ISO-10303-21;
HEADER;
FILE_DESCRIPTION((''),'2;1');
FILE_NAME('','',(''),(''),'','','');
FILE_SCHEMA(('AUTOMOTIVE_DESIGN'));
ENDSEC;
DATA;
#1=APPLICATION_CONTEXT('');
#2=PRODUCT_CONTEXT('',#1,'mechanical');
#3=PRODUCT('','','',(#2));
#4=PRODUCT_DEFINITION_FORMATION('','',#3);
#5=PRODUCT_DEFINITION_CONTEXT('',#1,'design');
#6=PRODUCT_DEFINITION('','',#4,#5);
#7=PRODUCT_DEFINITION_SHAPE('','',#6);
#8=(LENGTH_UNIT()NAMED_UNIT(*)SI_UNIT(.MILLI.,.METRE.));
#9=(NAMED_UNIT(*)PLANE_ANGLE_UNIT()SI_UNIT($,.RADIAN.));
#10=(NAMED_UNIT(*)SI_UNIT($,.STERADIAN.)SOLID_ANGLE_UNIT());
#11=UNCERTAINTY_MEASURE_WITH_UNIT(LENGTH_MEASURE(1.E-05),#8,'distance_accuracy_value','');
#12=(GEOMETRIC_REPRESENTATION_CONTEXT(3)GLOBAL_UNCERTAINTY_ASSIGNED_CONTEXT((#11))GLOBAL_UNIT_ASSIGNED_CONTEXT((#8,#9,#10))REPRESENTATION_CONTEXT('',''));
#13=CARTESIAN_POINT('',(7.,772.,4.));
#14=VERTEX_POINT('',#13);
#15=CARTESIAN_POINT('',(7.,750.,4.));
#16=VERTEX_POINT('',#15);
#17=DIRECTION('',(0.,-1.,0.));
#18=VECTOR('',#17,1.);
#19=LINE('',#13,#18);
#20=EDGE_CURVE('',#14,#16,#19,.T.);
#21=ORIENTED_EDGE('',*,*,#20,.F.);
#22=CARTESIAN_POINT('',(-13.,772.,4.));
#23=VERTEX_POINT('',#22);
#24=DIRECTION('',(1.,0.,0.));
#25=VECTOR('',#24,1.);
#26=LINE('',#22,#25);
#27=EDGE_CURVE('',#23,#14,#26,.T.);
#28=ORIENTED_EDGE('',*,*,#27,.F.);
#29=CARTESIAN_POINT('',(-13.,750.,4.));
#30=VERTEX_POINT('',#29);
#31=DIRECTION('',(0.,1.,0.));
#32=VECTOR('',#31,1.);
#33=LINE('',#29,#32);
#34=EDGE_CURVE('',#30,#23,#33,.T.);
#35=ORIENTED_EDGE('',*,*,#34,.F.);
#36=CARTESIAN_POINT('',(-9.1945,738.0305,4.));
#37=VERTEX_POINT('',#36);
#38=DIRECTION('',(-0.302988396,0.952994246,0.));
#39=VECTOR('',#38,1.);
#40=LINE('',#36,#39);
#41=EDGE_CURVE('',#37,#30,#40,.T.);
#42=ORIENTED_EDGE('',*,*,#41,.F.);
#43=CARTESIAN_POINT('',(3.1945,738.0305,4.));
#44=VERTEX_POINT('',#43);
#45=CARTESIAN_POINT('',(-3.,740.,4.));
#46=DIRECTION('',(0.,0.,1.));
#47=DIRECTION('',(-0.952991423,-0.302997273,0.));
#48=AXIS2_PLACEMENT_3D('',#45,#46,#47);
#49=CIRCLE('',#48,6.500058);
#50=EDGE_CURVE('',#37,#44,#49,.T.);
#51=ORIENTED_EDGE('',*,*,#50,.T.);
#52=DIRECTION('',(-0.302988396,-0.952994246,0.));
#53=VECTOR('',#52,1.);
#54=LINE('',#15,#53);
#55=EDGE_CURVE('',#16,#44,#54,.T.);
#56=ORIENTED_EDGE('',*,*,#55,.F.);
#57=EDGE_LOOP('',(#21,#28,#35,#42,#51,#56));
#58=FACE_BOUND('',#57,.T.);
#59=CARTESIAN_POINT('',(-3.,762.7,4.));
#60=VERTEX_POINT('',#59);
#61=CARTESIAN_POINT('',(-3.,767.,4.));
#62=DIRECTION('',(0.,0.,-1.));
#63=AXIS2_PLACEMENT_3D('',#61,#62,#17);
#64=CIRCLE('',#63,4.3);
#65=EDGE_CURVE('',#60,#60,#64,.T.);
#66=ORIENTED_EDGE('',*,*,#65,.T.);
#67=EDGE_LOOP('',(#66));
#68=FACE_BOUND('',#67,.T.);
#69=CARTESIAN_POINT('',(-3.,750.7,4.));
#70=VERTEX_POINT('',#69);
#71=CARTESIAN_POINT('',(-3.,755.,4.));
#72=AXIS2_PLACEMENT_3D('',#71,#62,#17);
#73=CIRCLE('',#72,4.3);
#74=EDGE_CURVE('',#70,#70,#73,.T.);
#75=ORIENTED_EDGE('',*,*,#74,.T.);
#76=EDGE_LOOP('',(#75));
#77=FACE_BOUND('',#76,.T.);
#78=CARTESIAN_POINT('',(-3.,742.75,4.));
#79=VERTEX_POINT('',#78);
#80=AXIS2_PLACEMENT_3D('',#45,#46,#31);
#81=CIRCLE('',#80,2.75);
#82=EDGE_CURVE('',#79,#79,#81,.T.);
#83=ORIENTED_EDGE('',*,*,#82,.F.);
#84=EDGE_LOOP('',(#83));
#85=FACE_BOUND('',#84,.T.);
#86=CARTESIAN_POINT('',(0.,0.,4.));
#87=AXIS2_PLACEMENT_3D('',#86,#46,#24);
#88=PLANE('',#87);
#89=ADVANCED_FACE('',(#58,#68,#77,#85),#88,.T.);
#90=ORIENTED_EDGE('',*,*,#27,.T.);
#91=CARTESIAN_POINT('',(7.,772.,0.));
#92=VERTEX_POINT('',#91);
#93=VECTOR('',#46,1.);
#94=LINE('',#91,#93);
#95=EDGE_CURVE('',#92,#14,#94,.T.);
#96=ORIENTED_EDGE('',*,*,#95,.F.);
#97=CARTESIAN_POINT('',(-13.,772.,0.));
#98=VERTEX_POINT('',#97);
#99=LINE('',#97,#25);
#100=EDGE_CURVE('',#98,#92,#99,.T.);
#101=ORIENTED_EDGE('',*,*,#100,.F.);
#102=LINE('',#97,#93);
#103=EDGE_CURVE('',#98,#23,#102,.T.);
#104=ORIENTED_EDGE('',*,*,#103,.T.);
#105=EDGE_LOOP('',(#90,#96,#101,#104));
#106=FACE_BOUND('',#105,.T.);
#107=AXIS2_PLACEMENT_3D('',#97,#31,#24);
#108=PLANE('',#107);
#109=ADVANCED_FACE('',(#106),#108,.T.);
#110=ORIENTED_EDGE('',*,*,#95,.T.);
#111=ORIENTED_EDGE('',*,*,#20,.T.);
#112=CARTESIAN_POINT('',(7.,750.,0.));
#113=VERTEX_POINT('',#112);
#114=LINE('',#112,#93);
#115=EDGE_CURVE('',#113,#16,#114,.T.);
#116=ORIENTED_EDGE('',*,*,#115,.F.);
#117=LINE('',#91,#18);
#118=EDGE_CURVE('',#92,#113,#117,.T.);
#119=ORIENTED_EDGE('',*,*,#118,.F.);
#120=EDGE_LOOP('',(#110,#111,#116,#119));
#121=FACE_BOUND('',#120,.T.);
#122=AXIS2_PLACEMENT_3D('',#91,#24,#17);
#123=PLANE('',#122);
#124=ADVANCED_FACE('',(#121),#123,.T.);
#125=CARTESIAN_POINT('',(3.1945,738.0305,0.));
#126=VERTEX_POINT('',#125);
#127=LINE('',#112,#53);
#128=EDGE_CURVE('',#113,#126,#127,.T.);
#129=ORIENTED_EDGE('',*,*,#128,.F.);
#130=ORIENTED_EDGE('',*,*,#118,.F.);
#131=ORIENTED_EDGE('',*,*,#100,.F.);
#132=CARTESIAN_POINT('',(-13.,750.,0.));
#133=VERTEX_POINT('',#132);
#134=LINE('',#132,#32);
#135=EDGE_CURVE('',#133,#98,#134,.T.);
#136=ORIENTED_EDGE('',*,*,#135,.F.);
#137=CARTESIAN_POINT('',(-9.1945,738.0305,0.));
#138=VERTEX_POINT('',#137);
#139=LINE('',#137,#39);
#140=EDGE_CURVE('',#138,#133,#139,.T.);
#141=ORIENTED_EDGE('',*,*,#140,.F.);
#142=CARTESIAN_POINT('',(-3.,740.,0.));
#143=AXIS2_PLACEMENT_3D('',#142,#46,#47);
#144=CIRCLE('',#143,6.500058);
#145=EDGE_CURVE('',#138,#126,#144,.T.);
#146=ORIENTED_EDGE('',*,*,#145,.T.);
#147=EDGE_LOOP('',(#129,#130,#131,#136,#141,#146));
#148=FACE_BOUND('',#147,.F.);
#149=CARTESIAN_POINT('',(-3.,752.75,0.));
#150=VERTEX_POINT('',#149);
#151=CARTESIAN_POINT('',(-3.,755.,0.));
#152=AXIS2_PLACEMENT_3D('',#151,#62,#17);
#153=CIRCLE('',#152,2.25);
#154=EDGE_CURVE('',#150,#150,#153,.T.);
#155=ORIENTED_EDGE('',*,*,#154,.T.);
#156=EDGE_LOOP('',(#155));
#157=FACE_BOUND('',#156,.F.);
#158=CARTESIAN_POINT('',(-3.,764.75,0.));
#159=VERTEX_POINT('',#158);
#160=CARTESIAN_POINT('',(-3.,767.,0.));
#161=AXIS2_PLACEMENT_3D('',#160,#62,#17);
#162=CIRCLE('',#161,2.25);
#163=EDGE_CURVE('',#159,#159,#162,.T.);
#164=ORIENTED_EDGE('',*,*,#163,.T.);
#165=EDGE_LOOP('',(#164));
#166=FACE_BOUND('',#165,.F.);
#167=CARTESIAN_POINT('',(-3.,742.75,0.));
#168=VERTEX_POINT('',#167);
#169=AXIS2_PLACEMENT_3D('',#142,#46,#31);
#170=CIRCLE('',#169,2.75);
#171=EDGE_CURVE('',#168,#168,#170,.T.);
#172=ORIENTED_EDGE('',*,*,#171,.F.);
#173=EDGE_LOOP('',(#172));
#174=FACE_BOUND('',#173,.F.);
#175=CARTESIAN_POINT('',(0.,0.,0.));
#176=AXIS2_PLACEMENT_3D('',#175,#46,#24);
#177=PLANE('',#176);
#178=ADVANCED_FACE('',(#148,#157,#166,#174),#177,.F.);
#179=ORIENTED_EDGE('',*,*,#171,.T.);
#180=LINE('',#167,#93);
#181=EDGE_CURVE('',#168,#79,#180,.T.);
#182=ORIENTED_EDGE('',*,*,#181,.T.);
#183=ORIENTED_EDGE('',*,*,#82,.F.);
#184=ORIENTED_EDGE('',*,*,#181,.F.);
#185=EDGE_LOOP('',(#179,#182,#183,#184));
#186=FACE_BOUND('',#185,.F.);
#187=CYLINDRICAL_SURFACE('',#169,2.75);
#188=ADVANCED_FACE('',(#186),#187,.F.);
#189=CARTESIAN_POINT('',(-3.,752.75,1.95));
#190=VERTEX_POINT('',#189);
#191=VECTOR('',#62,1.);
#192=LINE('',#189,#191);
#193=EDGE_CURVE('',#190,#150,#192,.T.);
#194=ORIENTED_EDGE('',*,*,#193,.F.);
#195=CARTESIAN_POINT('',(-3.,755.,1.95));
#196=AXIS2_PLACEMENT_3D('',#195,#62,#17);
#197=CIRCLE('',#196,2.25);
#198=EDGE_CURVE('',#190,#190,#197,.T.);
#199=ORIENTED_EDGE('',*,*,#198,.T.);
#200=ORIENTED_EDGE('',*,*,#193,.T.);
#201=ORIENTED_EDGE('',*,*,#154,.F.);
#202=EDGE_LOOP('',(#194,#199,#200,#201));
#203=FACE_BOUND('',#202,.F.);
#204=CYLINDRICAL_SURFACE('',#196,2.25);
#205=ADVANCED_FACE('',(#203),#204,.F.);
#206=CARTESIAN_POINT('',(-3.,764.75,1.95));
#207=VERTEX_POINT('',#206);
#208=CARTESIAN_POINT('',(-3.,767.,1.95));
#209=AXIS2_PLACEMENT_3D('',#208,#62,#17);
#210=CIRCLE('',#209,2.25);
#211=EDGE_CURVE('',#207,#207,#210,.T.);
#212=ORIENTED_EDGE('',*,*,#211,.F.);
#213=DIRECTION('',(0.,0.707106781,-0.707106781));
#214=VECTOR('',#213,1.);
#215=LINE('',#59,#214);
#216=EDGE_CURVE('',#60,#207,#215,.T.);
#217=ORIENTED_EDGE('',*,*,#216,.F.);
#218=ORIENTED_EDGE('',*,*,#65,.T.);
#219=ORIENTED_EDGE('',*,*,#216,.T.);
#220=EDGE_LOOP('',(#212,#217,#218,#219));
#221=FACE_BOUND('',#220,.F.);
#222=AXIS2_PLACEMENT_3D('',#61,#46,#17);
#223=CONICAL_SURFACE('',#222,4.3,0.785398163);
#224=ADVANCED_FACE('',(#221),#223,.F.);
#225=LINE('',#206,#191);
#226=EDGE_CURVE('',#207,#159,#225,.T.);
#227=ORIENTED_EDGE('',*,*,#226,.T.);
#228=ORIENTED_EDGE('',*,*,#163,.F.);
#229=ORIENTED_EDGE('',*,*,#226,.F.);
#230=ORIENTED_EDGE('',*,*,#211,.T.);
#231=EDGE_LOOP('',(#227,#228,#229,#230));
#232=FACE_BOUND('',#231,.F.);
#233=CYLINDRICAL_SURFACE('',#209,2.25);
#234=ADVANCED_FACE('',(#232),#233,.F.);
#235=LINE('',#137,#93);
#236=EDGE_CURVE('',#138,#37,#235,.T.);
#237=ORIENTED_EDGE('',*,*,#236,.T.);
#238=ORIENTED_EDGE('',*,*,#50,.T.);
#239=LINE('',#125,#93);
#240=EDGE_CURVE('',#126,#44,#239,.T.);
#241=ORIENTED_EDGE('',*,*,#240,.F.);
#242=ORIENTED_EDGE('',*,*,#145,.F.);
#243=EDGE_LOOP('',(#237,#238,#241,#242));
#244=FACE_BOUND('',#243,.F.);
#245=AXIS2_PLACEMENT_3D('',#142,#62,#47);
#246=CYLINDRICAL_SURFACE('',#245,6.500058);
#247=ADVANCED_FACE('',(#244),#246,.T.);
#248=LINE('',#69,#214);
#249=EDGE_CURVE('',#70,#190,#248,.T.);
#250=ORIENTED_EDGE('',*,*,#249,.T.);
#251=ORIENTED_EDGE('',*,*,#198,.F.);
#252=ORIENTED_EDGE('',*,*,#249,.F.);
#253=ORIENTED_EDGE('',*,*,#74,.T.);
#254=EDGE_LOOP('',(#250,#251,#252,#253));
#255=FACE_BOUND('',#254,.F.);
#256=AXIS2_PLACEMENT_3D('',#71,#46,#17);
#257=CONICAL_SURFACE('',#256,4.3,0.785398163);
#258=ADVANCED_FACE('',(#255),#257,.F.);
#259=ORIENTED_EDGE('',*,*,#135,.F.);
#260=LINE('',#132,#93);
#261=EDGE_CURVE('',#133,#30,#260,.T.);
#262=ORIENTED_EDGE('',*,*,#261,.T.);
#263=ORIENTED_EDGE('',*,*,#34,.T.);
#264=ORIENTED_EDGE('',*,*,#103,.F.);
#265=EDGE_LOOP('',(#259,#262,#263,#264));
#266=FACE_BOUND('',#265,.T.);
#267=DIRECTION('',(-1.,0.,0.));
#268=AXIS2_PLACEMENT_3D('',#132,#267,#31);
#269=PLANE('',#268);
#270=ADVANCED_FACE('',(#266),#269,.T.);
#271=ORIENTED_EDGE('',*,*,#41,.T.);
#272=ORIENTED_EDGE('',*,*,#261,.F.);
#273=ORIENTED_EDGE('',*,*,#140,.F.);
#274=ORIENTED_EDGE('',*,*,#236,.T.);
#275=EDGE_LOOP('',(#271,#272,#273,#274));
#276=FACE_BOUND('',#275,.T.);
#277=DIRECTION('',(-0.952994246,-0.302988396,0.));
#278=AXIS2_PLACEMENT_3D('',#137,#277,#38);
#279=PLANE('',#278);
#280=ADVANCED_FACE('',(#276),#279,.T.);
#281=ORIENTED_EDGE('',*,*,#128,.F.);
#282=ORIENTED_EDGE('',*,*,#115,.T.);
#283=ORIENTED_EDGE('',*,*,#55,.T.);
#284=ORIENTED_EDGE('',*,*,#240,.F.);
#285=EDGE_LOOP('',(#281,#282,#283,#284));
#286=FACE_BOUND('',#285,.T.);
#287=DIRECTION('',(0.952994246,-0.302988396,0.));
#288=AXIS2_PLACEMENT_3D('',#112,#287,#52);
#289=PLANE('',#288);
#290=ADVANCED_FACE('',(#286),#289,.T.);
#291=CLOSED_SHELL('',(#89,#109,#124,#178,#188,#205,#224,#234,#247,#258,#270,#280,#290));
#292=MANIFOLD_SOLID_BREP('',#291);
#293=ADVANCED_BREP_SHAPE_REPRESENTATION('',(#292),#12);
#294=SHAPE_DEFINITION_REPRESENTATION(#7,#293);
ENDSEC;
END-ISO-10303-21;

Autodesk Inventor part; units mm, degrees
ref_plane "YZ Plane" through (0, 0, 0) normal (1, 0, 0) x (0, 1, 0)
ref_plane "XZ Plane" through (0, 0, 0) normal (0, 1, 0) x (-1, 0, 0)
ref_plane "XY Plane" through (0, 0, 0) normal (0, 0, 1) x (1, 0, 0)
ref_plane "Work Plane1" through (0, 0, 0) normal (0, 0, 1) x (1, 0, 0)
sketch "Sketch1" plane through (0, 0, 0) normal (0, 0, 1) x (1, 0, 0)
  circle A0 centre (-3, 740) radius 5.2 projected
  circle A1 centre (-3, 767) radius 4.3 projected
  circle A2 centre (-3, 755) radius 4.3 projected
  line L0 (7, 772) -> (7, 750) projected
  line L1 (7, 750) -> (3.1945, 738.0305) projected
  arc A3 (-9.1945, 738.0305) -> (3.1945, 738.0305) centre (-3, 740) ccw projected
  line L2 (-9.1945, 738.0305) -> (-13, 750) projected
  line L3 (-13, 750) -> (-13, 772) projected
  line L4 (-13, 772) -> (7, 772) projected
  point P0 (0, 0)
extrude "Extrusion1" add sketch "Sketch1" along normal blind 4 contours A0 | A1 | A2 | L0 L1 A3 L2 L3 L4
hole "Hole1" at (-3, 740, 0) direction (0, 0, 1) diameter 5.5 end through all clearance for "Countersunk Head GOST 12876-67" size "M5" standard "GOST"
sketch "Sketch2" plane through (0, 0, 4) normal (0, 0, 1) x (1, 0, 0)
  circle A0 centre (-3, 740) radius 5.2 projected
  circle A1 centre (-3, 767) radius 4.3 projected
  circle A2 centre (-3, 755) radius 4.3 projected
  line L0 (7, 772) -> (7, 750) projected
  line L1 (7, 750) -> (3.1945, 738.0305) projected
  arc A3 (-9.1945, 738.0305) -> (3.1945, 738.0305) centre (-3, 740) ccw projected
  line L2 (-9.1945, 738.0305) -> (-13, 750) projected
  line L3 (-13, 750) -> (-13, 772) projected
  line L4 (-13, 772) -> (7, 772) projected
  point P0 (0, 0)
hole "Hole2" at (-3, 767, 4) at (-3, 755, 4) direction (0, 0, -1) diameter 4.5 end through all countersink diameter 8.6 countersink angle 90 clearance for "Countersunk Head GOST 12876-67" size "M4" standard "GOST"
properties part number "belt_tentioner_2"
